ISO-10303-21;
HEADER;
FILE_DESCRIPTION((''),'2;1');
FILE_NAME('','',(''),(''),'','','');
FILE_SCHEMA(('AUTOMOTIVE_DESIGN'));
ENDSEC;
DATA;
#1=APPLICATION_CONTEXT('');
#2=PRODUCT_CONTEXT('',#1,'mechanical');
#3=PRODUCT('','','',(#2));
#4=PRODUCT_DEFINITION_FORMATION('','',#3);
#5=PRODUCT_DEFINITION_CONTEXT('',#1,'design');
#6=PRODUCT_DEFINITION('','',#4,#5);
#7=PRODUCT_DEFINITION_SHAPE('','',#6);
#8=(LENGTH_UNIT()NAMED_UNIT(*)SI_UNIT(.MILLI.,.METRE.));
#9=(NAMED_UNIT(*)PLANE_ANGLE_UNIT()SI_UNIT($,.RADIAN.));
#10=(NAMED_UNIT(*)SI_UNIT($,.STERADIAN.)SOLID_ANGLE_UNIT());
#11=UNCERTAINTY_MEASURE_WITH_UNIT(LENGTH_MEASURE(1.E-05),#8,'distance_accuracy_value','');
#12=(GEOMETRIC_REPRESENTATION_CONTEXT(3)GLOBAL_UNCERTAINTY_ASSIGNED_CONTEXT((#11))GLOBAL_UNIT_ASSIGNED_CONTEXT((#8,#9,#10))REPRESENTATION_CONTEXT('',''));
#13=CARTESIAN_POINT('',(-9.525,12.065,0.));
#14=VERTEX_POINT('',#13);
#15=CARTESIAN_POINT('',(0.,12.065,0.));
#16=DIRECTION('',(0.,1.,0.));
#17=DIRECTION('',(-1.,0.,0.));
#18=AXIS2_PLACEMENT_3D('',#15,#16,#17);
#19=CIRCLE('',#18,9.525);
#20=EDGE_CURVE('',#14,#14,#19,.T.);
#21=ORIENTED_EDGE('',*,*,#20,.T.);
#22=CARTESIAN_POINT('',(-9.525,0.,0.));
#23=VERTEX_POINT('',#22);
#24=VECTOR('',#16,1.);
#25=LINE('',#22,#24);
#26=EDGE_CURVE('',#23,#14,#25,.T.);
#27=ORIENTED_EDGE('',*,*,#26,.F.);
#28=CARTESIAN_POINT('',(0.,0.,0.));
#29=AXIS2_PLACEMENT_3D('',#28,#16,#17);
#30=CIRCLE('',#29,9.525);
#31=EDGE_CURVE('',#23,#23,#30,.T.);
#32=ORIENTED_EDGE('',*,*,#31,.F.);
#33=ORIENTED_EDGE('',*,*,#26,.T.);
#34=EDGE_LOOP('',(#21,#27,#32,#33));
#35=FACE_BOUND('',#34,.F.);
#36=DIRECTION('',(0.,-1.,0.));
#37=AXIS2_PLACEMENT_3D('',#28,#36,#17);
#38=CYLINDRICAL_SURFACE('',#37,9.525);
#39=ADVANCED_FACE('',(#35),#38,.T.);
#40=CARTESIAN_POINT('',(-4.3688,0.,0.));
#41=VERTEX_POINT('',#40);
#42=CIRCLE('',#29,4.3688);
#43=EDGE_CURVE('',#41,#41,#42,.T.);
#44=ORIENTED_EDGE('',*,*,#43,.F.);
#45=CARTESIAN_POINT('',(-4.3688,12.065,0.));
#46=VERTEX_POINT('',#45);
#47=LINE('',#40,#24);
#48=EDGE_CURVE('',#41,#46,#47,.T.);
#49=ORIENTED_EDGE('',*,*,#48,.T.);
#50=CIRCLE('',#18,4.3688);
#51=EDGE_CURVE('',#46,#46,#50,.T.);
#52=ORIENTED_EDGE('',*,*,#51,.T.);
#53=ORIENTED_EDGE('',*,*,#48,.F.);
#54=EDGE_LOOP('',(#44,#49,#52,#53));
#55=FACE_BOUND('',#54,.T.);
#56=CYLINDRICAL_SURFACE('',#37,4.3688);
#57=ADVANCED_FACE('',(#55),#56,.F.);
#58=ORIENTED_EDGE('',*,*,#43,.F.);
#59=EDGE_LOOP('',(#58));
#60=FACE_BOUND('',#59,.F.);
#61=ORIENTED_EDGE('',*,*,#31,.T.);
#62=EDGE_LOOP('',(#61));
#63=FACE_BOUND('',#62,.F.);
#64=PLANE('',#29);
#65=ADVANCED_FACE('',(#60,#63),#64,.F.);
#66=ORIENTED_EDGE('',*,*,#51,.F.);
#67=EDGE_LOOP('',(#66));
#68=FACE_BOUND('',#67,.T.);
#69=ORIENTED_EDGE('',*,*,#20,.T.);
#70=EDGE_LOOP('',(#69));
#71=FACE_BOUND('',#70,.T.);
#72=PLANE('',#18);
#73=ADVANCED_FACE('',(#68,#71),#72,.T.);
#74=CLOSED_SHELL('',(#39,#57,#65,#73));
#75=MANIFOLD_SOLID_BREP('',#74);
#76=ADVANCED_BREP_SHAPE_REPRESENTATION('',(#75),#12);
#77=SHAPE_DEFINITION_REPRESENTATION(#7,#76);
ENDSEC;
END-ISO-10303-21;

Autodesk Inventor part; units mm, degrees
ref_plane "YZ Plane" through (0, 0, 0) normal (1, 0, 0) x (0, 1, 0)
ref_plane "XZ Plane" through (0, 0, 0) normal (0, 1, 0) x (-1, 0, 0)
ref_plane "XY Plane" through (0, 0, 0) normal (0, 0, 1) x (1, 0, 0)
sketch "Sketch1" plane through (0, 0, 0) normal (0, 1, 0) x (-1, 0, 0)
  circle A0 centre (0, 0) radius 4.3688
  circle A1 centre (0, 0) radius 9.525
  dimension "d0" = 8.7376
  dimension "d1" = 19.05
extrude "Extrusion1" add sketch "Sketch1" along normal blind 12.065
properties part number "Chest Standoff"
